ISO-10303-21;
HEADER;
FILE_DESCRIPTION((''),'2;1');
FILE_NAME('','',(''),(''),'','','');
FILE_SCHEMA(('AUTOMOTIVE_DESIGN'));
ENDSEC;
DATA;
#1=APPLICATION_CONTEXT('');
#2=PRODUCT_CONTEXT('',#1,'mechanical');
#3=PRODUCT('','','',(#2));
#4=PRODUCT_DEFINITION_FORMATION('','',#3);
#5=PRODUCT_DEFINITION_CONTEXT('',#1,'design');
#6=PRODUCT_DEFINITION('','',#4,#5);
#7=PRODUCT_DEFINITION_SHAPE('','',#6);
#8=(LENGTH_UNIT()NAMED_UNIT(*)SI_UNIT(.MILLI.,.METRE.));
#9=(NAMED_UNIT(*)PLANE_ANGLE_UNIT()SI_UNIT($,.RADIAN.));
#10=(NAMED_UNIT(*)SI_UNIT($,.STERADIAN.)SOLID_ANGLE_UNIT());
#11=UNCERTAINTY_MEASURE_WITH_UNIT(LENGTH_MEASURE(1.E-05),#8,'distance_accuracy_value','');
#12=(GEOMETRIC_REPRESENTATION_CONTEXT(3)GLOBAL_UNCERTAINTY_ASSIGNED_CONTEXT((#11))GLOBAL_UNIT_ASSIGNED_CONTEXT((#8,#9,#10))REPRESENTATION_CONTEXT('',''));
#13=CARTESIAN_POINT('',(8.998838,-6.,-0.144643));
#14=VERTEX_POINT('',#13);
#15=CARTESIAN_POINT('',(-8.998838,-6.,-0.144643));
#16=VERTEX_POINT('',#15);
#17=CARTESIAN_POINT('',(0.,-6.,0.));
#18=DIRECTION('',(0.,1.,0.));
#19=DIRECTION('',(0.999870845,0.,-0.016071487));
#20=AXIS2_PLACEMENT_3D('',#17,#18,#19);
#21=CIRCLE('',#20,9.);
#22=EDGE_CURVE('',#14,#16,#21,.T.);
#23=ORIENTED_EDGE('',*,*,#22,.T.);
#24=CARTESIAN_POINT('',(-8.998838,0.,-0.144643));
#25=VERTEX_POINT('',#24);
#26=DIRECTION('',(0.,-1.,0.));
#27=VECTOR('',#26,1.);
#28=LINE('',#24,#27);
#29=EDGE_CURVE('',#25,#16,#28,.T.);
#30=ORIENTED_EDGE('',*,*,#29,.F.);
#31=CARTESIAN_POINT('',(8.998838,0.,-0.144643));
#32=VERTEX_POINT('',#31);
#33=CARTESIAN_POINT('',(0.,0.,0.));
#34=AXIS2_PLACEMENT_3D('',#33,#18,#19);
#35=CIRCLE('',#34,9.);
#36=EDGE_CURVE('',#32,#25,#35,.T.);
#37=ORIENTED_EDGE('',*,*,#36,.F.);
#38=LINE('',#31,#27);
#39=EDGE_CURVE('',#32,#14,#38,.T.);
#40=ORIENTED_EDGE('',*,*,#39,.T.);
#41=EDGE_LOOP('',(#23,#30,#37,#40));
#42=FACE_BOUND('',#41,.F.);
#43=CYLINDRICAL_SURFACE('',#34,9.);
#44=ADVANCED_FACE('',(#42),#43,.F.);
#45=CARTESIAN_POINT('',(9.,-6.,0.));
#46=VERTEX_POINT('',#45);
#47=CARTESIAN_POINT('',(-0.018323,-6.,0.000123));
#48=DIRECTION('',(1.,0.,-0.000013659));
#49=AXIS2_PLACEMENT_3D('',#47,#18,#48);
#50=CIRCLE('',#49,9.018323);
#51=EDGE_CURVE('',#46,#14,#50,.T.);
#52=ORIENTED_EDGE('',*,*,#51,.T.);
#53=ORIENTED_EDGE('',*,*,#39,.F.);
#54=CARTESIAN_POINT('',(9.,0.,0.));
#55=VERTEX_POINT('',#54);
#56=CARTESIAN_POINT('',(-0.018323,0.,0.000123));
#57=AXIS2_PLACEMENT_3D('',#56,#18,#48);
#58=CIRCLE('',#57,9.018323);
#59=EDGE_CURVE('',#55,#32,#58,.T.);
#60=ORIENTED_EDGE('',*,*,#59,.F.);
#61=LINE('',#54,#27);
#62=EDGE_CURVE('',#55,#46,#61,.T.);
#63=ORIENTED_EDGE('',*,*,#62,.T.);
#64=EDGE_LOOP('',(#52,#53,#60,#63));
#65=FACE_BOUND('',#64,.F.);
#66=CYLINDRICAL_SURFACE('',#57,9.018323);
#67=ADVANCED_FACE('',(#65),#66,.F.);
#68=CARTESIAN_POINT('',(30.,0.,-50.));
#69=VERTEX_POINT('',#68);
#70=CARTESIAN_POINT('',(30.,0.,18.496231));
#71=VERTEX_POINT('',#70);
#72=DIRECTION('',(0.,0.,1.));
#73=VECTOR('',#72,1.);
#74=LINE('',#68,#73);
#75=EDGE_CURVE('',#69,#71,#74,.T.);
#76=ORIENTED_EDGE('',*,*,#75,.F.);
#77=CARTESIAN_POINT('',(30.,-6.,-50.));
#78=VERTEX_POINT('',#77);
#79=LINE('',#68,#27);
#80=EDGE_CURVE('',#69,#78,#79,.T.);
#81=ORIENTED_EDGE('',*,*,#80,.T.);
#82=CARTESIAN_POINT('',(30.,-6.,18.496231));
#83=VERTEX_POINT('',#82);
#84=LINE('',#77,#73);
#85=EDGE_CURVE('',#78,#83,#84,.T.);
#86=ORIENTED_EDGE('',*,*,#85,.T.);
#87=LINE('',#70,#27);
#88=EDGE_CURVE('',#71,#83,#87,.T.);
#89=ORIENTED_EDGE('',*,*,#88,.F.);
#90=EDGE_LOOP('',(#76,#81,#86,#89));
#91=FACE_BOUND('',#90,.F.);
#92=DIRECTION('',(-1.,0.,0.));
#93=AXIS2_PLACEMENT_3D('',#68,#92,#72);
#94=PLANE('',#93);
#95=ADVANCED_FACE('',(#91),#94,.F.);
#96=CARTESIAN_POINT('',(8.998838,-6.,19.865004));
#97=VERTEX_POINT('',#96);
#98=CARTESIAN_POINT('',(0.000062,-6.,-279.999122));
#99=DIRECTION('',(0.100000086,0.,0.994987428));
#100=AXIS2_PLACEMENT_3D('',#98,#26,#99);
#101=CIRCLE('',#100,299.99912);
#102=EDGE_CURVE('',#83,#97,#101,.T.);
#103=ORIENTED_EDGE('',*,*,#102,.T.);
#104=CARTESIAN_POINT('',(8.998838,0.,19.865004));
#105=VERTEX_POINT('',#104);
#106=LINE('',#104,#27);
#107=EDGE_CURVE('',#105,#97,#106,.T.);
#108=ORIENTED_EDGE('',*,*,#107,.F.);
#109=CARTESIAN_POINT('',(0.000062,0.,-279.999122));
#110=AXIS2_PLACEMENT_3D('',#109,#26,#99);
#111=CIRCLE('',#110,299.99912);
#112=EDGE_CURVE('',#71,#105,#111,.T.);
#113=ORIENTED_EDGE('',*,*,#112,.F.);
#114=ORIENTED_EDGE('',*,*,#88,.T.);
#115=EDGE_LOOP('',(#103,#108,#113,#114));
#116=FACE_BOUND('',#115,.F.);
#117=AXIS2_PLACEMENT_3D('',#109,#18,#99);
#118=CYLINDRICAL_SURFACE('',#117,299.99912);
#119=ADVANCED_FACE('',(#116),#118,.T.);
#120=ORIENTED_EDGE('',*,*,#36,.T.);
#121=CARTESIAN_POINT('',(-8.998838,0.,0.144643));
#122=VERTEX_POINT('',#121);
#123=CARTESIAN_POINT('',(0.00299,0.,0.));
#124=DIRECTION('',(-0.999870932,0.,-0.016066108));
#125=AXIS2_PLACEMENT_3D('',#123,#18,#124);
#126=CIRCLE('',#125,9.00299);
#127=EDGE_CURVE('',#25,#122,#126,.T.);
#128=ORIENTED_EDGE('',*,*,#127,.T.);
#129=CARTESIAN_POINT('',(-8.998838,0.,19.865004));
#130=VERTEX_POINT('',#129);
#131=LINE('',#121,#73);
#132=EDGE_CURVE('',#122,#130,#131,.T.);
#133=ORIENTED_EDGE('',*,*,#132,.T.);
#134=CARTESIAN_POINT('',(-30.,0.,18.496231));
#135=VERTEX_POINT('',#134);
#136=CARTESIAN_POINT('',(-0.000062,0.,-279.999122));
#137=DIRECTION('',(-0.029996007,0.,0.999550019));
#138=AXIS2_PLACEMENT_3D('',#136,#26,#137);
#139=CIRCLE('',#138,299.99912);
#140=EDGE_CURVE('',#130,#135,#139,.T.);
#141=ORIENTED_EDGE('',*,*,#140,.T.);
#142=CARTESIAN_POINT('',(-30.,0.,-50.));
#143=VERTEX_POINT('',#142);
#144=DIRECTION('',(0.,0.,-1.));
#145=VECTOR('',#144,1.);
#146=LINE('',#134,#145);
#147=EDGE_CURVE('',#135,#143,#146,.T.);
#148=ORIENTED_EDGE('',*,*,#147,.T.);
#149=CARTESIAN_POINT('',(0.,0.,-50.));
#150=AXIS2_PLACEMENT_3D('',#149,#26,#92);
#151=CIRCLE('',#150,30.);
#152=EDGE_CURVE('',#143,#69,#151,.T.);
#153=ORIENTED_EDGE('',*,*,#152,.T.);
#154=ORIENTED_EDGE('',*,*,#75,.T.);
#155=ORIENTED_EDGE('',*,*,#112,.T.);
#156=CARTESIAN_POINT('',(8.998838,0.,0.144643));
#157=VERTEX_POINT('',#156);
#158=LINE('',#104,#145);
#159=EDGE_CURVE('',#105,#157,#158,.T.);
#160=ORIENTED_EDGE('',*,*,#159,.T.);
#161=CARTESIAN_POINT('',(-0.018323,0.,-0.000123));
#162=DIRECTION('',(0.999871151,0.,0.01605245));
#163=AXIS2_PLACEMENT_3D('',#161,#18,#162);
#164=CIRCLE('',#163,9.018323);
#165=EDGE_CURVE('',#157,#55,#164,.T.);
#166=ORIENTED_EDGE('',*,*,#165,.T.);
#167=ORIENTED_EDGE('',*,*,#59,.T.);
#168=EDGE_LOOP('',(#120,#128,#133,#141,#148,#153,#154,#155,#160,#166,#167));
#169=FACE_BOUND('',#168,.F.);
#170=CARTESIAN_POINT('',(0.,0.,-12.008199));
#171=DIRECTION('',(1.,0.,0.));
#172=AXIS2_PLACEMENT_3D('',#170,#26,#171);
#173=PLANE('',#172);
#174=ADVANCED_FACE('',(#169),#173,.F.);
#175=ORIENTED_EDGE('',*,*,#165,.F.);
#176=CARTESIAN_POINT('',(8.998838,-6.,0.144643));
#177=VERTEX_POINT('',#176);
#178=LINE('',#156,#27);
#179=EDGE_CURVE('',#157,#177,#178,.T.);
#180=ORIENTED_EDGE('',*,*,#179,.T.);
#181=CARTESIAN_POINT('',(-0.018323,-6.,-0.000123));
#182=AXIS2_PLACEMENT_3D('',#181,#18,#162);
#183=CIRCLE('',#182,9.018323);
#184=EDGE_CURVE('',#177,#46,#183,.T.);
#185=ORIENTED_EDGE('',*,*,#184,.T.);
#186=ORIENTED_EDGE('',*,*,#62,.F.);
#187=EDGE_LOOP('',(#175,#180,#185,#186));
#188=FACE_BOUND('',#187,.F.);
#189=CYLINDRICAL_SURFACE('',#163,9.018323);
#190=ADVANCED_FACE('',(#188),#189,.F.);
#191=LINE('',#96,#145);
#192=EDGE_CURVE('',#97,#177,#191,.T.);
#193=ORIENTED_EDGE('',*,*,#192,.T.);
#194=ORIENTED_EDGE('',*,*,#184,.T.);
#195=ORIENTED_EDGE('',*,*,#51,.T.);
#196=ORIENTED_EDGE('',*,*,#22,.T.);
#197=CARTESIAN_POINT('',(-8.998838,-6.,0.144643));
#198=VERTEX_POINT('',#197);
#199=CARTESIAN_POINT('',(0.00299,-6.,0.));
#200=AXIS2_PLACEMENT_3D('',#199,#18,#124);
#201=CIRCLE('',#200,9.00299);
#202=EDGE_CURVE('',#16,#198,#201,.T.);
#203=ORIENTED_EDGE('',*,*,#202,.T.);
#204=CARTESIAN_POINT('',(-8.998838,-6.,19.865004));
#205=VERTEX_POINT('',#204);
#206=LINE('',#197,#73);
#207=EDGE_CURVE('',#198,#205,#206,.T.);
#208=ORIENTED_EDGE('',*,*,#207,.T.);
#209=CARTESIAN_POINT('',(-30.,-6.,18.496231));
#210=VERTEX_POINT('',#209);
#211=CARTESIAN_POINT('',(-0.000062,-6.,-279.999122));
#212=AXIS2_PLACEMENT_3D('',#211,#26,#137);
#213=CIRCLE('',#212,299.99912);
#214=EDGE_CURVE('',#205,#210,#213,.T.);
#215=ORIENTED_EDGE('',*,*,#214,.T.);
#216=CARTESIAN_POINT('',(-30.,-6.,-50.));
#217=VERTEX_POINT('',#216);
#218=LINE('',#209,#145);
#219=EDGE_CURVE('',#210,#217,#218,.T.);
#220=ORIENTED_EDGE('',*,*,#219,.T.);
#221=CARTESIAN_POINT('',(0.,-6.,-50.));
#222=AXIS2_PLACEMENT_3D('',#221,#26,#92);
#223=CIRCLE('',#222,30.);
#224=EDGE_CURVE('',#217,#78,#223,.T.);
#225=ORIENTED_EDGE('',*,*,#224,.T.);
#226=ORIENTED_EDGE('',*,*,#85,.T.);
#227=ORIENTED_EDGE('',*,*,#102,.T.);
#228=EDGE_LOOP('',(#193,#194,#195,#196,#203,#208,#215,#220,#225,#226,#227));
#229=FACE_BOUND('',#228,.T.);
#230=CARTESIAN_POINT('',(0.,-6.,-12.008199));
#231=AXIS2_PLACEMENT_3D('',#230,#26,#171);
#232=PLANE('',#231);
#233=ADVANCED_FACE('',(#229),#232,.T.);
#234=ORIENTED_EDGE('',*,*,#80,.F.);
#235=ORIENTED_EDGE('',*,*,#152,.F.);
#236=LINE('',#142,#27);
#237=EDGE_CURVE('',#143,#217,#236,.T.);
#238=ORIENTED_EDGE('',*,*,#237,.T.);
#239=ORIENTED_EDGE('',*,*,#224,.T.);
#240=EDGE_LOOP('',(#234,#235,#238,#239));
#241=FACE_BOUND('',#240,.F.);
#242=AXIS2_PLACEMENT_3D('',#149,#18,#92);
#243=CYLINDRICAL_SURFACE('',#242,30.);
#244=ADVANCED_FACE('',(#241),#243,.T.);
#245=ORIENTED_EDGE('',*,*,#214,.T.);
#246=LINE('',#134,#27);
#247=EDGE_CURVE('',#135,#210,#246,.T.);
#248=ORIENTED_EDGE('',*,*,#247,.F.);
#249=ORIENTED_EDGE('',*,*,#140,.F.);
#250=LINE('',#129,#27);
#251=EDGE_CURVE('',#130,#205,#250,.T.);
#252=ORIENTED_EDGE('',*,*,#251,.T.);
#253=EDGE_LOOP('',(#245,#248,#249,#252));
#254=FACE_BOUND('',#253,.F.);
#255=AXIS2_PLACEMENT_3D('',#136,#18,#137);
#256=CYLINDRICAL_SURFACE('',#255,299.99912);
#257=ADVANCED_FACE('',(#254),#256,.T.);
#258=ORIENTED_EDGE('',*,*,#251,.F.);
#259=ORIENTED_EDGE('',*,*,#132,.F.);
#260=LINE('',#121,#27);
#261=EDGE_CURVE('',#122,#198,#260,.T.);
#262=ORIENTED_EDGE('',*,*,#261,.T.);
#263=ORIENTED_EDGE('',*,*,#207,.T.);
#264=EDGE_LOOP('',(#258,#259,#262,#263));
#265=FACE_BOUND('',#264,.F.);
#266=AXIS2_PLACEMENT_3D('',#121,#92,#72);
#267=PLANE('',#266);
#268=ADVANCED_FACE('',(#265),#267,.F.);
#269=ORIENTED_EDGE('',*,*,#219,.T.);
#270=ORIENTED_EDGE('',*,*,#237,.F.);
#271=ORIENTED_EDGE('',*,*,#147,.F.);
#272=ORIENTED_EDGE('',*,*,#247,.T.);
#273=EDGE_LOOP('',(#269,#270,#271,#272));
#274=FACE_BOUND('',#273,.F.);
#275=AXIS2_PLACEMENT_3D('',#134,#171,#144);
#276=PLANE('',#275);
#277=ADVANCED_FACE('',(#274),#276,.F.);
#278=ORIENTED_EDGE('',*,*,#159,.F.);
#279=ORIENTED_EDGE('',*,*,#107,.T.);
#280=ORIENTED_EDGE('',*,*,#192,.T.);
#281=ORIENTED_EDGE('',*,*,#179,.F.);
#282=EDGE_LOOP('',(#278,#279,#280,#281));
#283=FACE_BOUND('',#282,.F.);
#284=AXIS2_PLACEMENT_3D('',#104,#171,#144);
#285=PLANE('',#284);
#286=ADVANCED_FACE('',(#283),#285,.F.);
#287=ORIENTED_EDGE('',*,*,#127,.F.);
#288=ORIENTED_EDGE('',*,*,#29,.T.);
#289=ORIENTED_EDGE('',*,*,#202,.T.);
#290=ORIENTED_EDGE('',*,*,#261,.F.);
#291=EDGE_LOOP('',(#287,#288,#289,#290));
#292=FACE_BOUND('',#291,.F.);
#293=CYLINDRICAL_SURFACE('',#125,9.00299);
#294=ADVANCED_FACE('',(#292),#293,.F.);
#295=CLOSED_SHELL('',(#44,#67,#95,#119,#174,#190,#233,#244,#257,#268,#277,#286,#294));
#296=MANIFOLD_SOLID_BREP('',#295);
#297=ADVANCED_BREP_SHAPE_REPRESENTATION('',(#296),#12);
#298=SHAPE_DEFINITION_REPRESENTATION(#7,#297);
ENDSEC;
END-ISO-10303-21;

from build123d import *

# Parameters (mm, degrees)
F1_DEPTH = 6


with BuildPart() as f1:
    # F0 (on Front) → F1 (new body)
    with BuildSketch(Plane.XZ):
        with BuildLine():
            ThreePointArc((8.998838, -0.144643), (0, -9), (-8.998838, -0.144643))
            ThreePointArc((-8.998838, -0.144643), (-9, 0), (-8.998838, 0.144643))
            Line((-8.998838, 0.144643), (-8.998838, 19.865004))
            ThreePointArc((-8.998838, 19.865004), (-19.511425, 19.364835), (-30, 18.496231))
            Line((-30, 18.496231), (-30, -50))
            ThreePointArc((-30, -50), (0, -20), (30, -50))
            Line((30, -50), (30, 18.496231))
            ThreePointArc((30, 18.496231), (19.511425, 19.364835), (8.998838, 19.865004))
            Line((8.998838, 19.865004), (8.998838, 0.144643))
            ThreePointArc((8.998838, 0.144643), (8.999709, 0.072324), (9, 0))
            ThreePointArc((9, 0), (8.999709, -0.072324), (8.998838, -0.144643))
        make_face()
        with BuildLine():
            ThreePointArc((30, -50), (0, -20), (-30, -50))
            ThreePointArc((-30, -50), (0, -80), (30, -50))
        make_face()
    extrude(amount=F1_DEPTH)


solid = f1.part
